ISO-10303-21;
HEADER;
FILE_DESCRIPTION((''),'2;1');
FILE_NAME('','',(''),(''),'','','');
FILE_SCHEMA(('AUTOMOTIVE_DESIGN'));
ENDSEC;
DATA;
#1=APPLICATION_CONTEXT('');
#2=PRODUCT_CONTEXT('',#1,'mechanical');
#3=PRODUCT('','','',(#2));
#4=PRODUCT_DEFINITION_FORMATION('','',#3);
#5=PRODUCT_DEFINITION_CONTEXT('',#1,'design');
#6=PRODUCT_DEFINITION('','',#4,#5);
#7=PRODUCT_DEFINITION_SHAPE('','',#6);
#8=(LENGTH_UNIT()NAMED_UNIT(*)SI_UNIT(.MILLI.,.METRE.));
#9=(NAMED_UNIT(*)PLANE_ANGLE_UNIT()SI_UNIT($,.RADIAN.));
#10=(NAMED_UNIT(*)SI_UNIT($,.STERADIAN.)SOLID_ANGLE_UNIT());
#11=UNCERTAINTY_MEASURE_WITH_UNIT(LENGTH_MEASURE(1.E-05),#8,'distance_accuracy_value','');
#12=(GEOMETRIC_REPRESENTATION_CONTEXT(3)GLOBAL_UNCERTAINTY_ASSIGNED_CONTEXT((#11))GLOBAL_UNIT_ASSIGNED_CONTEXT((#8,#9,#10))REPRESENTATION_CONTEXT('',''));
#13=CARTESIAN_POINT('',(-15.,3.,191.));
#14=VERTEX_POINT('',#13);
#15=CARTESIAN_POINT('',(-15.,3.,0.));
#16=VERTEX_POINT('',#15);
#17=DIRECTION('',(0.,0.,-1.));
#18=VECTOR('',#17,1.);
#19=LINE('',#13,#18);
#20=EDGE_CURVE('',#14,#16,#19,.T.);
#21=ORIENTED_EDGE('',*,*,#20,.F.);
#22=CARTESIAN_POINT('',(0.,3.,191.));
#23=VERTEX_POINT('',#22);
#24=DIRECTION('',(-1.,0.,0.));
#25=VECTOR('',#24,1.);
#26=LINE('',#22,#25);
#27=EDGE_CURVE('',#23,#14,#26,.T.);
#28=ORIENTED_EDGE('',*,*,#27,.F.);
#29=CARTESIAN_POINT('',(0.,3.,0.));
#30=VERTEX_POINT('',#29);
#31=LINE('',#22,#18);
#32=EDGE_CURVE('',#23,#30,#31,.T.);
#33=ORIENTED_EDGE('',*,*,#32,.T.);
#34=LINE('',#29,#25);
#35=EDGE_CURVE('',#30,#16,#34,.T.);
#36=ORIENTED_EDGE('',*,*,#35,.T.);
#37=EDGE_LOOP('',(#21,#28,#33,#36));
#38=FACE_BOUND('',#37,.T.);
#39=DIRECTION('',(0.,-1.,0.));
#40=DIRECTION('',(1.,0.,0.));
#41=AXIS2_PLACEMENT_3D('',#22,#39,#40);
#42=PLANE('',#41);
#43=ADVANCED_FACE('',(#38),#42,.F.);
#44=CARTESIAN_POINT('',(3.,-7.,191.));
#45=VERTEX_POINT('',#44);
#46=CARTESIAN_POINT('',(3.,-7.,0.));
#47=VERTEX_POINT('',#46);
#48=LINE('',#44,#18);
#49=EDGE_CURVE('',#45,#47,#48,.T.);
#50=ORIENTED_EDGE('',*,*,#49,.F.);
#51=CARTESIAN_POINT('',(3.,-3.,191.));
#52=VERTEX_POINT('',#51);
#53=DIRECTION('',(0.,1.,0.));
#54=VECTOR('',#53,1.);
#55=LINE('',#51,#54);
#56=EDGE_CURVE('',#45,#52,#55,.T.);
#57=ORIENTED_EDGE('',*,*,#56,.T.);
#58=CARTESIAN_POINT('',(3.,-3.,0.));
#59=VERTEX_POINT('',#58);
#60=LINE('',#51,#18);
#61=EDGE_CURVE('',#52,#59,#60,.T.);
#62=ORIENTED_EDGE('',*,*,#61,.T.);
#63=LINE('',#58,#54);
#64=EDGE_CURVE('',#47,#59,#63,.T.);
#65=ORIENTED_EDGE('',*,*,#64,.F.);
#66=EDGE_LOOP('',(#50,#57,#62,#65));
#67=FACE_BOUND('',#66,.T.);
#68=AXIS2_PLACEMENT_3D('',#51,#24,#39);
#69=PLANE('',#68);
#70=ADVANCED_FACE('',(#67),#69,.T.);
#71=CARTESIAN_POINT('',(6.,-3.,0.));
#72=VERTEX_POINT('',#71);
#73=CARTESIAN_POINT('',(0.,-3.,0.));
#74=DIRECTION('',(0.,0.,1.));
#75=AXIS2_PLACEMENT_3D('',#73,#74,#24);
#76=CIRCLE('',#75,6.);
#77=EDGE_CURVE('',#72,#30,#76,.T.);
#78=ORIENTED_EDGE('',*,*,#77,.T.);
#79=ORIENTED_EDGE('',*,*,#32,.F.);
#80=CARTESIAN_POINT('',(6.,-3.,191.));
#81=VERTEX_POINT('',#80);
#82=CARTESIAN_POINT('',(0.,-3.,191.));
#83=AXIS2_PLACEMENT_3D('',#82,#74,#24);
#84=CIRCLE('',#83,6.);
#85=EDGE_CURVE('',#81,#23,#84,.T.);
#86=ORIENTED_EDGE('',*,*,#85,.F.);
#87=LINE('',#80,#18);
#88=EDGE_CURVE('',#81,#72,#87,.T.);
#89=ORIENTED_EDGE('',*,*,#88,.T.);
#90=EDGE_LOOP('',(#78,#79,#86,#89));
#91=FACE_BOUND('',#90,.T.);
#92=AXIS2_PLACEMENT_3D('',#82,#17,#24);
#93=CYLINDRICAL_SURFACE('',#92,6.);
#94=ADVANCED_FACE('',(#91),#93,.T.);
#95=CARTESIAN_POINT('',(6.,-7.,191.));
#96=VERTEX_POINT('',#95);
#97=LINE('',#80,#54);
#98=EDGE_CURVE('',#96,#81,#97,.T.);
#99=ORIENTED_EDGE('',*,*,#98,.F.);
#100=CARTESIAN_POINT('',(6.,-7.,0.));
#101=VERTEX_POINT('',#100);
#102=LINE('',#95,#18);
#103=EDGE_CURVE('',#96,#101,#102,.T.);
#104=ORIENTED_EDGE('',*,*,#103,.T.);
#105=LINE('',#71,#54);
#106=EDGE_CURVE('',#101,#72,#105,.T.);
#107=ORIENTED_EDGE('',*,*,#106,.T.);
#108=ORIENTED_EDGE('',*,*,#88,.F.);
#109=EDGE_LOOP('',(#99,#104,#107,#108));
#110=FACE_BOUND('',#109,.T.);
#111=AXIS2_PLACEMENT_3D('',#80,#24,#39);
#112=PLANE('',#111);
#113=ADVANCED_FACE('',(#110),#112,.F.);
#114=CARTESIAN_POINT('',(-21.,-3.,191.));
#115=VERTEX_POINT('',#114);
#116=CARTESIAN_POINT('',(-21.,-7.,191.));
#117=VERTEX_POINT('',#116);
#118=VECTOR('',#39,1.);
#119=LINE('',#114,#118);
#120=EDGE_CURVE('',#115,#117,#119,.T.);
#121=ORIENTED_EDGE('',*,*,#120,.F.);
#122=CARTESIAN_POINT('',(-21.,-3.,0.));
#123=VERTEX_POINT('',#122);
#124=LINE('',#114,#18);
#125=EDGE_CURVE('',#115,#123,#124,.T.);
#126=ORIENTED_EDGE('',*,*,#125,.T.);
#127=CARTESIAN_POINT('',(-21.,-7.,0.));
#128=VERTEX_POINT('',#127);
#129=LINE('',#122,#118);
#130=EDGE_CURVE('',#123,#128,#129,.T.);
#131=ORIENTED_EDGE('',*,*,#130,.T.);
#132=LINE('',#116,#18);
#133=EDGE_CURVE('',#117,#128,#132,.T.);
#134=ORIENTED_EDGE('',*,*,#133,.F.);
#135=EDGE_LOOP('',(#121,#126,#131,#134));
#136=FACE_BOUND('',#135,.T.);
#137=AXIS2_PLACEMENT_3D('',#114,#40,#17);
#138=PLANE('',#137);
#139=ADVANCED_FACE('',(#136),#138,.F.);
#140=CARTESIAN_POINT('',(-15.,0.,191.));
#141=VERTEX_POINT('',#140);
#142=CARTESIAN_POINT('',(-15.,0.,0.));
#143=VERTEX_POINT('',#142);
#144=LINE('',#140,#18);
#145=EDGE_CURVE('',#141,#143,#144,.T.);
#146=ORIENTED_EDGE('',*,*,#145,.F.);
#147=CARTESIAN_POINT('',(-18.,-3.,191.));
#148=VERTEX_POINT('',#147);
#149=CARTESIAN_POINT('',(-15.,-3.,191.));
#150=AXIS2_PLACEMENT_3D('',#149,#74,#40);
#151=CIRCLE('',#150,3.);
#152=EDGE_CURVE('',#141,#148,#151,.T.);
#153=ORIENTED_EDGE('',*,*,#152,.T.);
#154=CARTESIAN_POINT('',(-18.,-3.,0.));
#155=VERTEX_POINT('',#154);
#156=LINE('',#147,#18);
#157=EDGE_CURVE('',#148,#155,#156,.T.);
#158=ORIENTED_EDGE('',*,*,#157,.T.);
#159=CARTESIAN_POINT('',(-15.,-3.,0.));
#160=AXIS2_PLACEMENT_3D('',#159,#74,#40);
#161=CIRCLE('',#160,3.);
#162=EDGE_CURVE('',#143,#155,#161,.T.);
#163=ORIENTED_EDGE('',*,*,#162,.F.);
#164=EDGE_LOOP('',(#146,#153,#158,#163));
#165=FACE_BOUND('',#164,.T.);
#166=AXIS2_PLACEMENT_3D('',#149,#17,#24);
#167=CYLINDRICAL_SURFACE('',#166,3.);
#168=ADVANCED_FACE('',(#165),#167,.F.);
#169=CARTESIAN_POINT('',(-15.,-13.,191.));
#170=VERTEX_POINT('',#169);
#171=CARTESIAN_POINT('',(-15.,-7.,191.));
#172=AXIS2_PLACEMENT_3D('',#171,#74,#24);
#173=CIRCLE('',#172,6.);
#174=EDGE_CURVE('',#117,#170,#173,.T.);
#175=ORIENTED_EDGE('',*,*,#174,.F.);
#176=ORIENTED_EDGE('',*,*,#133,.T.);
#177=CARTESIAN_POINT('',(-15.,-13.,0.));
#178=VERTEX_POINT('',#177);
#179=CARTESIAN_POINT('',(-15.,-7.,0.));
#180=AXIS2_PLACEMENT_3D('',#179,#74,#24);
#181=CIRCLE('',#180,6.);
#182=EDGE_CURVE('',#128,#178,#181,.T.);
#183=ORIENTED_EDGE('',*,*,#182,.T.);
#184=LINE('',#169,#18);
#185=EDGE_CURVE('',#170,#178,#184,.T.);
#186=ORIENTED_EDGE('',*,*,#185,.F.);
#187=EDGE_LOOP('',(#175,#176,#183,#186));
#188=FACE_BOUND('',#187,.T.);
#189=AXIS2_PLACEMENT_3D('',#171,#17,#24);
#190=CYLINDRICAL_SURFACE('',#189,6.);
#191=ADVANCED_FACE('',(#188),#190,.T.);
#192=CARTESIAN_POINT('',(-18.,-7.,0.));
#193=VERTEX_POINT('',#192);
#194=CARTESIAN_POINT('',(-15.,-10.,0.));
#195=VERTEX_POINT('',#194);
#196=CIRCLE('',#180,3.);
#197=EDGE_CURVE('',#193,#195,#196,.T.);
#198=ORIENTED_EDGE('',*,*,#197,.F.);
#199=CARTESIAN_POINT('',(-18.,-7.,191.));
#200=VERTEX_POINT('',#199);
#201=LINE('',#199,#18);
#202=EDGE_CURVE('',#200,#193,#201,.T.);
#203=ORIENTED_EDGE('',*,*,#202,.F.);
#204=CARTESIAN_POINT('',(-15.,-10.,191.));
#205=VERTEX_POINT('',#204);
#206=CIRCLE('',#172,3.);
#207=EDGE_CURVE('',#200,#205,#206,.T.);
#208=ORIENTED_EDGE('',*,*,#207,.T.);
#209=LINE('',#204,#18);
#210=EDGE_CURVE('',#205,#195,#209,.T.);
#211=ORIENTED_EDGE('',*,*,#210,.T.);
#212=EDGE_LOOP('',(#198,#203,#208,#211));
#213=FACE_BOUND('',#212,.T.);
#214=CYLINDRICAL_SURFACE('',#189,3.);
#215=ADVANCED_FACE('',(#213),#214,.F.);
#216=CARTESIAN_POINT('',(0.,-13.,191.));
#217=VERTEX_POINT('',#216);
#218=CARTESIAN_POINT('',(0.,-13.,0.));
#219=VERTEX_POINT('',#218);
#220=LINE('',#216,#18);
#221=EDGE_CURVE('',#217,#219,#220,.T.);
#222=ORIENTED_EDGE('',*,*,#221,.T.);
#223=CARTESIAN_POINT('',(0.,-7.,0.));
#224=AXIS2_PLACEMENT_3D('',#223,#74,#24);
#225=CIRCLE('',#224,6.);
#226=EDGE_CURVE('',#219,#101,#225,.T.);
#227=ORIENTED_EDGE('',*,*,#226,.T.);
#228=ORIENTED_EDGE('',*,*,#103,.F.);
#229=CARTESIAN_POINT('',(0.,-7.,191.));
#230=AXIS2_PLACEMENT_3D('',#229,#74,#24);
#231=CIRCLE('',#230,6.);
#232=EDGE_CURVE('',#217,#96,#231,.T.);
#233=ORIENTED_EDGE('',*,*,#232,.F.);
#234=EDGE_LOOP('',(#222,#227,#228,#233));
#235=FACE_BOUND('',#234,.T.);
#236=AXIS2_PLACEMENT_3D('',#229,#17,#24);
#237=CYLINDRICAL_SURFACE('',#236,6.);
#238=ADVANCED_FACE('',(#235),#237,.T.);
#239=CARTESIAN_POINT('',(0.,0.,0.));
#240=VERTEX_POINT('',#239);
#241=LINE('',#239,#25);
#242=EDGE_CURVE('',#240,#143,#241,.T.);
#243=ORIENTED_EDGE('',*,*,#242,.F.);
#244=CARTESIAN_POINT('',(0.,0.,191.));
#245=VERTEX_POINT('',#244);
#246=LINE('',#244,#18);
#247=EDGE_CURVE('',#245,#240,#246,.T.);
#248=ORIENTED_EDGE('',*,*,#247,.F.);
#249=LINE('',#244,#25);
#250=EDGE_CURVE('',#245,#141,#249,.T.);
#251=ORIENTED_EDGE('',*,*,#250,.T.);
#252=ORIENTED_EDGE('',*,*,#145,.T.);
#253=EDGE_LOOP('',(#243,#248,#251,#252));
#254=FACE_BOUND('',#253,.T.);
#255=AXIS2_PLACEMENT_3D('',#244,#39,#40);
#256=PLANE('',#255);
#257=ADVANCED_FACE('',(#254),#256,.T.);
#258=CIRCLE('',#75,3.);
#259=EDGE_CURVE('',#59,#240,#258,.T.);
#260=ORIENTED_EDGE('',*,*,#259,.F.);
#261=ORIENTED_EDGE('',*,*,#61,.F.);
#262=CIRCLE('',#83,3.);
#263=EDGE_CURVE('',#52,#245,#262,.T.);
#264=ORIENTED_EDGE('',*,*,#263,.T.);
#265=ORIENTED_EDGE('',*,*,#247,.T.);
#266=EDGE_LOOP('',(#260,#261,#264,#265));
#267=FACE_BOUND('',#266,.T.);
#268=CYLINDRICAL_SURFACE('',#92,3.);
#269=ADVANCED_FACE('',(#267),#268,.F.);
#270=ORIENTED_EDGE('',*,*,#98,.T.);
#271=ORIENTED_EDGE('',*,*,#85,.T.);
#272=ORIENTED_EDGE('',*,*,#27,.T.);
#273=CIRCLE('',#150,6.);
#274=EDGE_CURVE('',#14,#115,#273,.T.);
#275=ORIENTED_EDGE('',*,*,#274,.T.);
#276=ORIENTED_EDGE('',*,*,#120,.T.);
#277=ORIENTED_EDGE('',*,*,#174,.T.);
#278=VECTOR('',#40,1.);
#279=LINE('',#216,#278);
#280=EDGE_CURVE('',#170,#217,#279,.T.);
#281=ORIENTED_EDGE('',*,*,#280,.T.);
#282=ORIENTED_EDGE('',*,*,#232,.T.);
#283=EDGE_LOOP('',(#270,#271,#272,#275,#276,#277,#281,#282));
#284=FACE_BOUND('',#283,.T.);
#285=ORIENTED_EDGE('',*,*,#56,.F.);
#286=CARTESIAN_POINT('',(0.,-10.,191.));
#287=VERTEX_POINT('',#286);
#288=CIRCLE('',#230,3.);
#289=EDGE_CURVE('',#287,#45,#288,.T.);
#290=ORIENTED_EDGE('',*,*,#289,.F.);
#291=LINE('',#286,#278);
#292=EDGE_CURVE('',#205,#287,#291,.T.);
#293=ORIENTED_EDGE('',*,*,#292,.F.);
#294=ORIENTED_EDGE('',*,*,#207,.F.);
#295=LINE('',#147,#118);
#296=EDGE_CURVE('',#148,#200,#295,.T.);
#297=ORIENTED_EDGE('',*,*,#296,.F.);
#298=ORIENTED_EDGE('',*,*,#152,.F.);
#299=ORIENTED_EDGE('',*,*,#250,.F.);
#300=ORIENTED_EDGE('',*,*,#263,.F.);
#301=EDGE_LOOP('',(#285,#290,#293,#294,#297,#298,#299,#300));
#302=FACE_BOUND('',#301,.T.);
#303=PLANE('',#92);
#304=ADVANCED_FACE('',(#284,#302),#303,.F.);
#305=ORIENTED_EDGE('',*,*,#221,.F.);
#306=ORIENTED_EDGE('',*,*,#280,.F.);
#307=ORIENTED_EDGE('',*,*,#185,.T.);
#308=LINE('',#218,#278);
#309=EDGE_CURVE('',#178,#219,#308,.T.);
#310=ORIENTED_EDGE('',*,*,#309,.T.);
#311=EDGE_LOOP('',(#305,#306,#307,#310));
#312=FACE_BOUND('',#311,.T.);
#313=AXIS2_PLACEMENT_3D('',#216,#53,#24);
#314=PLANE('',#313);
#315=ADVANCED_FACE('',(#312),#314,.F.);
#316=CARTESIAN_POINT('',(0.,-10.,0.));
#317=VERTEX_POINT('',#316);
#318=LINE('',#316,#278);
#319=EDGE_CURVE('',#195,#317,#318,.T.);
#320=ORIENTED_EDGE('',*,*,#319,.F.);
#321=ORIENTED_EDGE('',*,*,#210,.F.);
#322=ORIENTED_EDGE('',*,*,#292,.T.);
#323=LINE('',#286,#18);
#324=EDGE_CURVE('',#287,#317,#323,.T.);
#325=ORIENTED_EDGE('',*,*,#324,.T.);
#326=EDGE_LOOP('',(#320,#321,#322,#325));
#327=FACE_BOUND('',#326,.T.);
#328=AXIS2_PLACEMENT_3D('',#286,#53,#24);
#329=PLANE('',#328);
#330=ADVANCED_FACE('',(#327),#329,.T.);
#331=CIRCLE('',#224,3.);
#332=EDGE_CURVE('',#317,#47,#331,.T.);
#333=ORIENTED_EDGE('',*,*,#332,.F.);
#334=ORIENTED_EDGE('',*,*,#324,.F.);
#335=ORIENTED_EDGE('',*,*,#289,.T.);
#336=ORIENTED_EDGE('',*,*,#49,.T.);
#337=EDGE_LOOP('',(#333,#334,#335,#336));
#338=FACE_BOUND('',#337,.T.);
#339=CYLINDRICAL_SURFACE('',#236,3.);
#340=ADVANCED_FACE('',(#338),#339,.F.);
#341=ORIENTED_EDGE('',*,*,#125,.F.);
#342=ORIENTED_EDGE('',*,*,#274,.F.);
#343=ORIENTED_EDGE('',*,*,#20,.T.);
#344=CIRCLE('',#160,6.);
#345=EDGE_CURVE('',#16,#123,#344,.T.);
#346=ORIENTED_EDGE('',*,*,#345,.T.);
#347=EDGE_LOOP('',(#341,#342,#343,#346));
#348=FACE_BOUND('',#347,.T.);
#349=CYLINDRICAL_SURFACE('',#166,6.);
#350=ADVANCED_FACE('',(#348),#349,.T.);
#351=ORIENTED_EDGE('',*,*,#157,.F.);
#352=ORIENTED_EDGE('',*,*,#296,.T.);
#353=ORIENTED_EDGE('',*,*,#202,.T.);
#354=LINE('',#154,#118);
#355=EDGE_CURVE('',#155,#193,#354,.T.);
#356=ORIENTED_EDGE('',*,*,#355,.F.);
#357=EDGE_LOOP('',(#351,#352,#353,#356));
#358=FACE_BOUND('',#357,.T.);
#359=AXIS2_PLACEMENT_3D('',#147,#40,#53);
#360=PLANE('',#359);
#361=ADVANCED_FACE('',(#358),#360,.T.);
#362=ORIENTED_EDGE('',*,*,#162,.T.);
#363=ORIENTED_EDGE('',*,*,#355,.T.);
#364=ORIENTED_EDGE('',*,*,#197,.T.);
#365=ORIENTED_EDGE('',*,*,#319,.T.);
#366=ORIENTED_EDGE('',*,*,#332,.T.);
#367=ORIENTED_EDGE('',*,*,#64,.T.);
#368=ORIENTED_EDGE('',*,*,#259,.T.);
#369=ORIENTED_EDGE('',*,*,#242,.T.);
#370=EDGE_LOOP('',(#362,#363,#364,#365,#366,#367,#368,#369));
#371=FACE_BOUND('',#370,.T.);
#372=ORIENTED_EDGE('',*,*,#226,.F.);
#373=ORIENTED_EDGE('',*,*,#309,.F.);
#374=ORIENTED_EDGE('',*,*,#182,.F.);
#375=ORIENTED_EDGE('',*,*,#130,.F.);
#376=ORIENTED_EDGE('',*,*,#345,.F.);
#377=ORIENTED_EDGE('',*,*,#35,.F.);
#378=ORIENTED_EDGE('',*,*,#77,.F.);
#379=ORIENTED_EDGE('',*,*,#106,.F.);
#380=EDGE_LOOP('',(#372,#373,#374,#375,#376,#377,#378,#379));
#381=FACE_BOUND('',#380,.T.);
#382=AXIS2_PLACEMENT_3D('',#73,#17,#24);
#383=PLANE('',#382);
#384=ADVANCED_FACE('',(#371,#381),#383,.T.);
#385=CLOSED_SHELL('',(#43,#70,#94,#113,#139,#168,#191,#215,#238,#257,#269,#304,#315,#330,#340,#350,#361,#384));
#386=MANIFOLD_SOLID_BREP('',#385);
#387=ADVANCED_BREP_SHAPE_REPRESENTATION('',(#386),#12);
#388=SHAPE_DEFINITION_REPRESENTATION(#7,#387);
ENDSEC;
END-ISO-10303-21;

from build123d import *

# Parameters (mm, degrees)
BOSS_EXTRUDE1_DEPTH = 191


with BuildPart() as part:
    # Sketch1 → Boss-Extrude1 (new body)
    with BuildSketch(Plane.XY):
        with BuildLine():
            Line((0, 3), (-15, 3))
            ThreePointArc((-15, 3), (-19.242640687, 1.242640687), (-21, -3))
            Line((-21, -3), (-21, -7))
            ThreePointArc((-21, -7), (-19.242640687, -11.242640687), (-15, -13))
            Line((-15, -13), (0, -13))
            ThreePointArc((0, -13), (4.242640687, -11.242640687), (6, -7))
            Line((6, -7), (6, -3))
            ThreePointArc((6, -3), (4.242640687, 1.242640687), (0, 3))
        make_face()
        with BuildLine():
            Line((0, 0), (-15, 0))
            ThreePointArc((-15, 0), (-17.121320344, -0.878679656), (-18, -3))
            Line((-18, -3), (-18, -7))
            ThreePointArc((-18, -7), (-17.121320344, -9.121320344), (-15, -10))
            Line((-15, -10), (0, -10))
            ThreePointArc((0, -10), (2.121320344, -9.121320344), (3, -7))
            Line((3, -7), (3, -3))
            ThreePointArc((3, -3), (2.121320344, -0.878679656), (0, 0))
        make_face(mode=Mode.SUBTRACT)
    extrude(amount=BOSS_EXTRUDE1_DEPTH)


solid = part.part
